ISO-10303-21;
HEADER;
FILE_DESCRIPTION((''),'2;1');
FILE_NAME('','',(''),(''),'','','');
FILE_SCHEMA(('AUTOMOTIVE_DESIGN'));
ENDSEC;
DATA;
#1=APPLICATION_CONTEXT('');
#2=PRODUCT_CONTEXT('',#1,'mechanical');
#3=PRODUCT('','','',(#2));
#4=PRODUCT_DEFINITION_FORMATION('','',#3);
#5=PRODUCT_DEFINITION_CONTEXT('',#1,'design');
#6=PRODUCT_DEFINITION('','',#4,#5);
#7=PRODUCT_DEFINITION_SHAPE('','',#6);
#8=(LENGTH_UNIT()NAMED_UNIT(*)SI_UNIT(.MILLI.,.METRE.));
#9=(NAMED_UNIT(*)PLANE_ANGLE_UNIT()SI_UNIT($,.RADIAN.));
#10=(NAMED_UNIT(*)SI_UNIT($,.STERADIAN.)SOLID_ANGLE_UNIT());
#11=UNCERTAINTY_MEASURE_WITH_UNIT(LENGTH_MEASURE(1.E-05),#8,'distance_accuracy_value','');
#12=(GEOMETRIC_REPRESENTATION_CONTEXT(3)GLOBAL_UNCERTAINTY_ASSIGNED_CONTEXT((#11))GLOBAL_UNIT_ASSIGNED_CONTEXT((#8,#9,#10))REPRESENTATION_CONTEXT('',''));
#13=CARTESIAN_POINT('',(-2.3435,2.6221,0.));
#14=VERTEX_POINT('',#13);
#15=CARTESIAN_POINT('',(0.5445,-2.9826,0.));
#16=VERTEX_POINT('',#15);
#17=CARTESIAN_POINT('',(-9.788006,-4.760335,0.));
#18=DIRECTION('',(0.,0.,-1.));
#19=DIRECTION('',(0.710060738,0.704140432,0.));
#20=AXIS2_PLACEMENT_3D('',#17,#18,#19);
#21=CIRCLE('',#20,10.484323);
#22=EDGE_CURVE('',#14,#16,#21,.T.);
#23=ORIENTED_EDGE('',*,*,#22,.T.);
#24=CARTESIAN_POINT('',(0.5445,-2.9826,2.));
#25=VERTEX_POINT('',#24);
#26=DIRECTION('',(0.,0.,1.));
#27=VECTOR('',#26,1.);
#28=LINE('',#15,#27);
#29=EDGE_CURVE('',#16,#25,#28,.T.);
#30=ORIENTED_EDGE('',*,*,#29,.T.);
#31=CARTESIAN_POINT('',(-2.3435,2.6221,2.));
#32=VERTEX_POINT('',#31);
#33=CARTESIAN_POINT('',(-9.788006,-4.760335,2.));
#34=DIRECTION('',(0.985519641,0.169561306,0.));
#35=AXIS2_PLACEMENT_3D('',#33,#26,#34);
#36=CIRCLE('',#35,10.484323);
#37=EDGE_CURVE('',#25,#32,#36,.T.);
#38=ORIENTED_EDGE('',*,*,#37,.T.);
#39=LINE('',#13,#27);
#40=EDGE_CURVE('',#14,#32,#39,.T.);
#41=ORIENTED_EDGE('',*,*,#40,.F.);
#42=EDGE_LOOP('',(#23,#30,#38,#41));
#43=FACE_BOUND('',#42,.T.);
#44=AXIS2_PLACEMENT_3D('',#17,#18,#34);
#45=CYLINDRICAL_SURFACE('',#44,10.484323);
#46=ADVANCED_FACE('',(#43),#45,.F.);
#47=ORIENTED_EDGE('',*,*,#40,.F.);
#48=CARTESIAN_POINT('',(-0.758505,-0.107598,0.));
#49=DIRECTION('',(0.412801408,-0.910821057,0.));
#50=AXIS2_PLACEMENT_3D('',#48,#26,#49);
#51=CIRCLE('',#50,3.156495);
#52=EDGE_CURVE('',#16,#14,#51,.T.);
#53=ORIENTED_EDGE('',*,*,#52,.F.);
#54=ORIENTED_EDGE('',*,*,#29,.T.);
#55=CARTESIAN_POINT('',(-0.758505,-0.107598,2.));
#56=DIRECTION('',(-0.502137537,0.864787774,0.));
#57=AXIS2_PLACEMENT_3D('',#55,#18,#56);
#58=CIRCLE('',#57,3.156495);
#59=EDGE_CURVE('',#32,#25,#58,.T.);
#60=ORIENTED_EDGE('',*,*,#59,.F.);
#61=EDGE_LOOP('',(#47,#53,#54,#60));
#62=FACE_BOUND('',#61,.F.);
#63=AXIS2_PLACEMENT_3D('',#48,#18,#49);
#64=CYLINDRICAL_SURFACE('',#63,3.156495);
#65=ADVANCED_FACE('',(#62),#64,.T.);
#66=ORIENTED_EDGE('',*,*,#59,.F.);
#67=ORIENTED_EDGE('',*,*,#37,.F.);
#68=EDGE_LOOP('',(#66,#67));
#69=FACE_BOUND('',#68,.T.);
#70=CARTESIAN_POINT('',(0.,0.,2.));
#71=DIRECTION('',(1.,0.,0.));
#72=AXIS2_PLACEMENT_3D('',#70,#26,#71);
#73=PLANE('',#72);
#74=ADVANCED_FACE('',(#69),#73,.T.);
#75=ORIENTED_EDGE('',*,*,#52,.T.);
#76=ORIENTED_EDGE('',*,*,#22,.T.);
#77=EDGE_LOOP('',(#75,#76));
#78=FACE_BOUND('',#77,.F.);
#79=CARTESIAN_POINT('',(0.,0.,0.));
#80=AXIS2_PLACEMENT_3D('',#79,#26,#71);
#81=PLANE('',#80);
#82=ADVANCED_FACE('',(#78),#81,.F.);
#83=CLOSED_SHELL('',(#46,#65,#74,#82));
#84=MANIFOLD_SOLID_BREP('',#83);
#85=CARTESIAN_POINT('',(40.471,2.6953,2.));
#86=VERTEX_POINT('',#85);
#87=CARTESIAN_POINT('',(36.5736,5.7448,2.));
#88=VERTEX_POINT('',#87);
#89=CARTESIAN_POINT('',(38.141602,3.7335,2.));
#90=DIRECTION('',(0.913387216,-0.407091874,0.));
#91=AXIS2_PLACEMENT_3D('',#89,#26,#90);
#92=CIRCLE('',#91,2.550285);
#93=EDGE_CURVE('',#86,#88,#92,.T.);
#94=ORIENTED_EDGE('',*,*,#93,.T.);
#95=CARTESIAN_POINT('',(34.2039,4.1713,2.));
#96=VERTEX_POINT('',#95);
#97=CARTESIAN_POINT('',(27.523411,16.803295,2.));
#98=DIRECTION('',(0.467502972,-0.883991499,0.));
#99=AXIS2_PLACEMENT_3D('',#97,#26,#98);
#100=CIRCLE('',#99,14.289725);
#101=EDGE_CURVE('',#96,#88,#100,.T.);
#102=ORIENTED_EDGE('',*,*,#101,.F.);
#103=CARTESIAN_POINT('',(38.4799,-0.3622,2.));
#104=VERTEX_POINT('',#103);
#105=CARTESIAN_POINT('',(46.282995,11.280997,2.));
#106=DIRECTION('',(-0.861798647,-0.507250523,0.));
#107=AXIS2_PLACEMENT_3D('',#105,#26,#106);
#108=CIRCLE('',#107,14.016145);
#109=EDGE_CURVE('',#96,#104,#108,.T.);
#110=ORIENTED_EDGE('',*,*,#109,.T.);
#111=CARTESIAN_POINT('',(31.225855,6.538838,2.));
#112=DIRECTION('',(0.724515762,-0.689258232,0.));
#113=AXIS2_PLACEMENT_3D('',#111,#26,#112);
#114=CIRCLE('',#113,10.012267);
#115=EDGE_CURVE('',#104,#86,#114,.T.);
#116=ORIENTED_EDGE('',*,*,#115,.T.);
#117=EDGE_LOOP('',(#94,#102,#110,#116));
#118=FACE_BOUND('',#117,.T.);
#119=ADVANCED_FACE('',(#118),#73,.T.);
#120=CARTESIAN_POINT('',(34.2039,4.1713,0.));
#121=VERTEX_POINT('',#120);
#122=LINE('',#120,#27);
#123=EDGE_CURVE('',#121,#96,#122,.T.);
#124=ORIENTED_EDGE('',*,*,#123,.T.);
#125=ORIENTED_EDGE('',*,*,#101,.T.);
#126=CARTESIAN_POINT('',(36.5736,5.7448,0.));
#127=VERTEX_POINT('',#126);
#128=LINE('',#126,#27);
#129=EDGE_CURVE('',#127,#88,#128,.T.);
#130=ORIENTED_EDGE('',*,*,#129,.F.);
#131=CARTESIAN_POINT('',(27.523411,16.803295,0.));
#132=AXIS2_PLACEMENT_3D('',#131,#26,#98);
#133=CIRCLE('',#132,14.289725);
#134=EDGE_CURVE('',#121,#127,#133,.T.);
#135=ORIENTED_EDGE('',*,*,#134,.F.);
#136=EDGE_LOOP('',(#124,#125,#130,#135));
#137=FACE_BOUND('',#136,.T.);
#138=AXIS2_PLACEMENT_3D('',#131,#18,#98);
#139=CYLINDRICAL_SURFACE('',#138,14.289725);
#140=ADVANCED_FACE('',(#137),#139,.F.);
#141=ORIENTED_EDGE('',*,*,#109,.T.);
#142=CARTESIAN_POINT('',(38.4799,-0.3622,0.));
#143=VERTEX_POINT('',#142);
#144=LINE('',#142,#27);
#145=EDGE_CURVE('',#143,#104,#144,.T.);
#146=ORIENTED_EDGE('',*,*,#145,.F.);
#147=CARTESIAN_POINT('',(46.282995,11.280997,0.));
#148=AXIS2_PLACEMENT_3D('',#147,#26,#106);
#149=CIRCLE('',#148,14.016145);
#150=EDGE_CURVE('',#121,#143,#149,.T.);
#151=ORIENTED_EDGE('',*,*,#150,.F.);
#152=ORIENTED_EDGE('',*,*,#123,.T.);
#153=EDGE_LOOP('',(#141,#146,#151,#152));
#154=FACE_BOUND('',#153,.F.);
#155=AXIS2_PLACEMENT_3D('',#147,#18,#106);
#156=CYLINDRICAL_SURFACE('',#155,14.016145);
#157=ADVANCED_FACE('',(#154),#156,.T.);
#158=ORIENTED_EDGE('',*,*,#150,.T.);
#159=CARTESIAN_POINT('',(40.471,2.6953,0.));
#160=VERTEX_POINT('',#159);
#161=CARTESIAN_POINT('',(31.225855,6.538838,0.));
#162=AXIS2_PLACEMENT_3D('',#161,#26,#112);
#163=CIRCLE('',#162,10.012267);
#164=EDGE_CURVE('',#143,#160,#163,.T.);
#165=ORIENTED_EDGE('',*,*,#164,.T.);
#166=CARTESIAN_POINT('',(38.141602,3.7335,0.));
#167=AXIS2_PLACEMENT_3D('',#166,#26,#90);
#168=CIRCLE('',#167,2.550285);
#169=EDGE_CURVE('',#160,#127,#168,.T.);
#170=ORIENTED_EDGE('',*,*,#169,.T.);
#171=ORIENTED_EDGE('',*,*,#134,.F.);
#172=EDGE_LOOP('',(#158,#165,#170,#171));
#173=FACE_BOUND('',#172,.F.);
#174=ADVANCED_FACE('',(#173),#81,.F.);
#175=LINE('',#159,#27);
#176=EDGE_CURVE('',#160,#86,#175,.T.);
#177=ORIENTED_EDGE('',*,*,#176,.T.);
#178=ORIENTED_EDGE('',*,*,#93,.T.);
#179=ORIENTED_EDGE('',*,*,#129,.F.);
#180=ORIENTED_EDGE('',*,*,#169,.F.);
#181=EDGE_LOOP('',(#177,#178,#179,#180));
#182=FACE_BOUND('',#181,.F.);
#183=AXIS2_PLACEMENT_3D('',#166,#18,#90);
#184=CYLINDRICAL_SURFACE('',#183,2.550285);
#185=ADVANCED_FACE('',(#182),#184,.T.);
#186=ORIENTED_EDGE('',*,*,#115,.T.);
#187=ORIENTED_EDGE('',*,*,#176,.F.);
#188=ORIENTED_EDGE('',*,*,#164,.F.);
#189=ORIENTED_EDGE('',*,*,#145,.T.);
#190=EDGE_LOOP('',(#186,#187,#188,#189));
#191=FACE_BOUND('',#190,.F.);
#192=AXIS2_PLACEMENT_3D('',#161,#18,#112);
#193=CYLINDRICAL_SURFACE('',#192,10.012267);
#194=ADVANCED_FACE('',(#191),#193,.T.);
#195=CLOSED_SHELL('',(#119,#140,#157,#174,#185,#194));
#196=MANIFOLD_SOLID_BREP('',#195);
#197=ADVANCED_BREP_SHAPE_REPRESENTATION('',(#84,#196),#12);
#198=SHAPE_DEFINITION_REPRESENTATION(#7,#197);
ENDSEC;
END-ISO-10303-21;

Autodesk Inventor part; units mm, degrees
ref_plane "YZ Plane" through (0, 0, 0) normal (1, 0, 0) x (0, 1, 0)
ref_plane "XZ Plane" through (0, 0, 0) normal (0, 1, 0) x (-1, 0, 0)
ref_plane "XY Plane" through (0, 0, 0) normal (0, 0, 1) x (1, 0, 0)
sketch "Sketch1" plane through (0, 0, 0) normal (0, 0, 1) x (1, 0, 0)
  line L0 (0.1525, -4.2135) -> (0.1525, 53.059) projected
  arc A0 (0.5445, -3.1745) -> (-2.4955, 2.7252) centre (-10.3318, -5.0457) ccw projected
  arc A1 (0.5445, -3.1745) -> (-2.4955, 2.7252) centre (-0.8271, -0.1481) ccw projected
  arc A2 (38.4977, -0.5778) -> (40.5936, 2.6407) centre (30.8639, 6.6849) ccw projected
  arc A3 (40.5936, 2.6407) -> (36.4911, 5.8507) centre (38.1416, 3.7335) ccw projected
  arc A4 (33.9966, 4.1943) -> (36.4911, 5.8507) centre (26.9655, 17.4896) ccw projected
  arc A5 (33.9966, 4.1943) -> (38.4977, -0.5778) centre (46.7107, 11.6776) ccw projected
  arc A6 (0.5445, -2.9826) -> (-2.3435, 2.6221) centre (-9.7879, -4.7603) ccw
  arc A7 (0.5445, -2.9826) -> (-2.3435, 2.6221) centre (-0.7585, -0.1076) ccw
  arc A8 (34.2039, 4.1713) -> (38.4799, -0.3622) centre (46.2822, 11.2804) ccw
  arc A9 (40.471, 2.6953) -> (36.5736, 5.7448) centre (38.1416, 3.7335) ccw
  arc A10 (34.2039, 4.1713) -> (36.5736, 5.7448) centre (27.5243, 16.8018) ccw
  arc A11 (38.4799, -0.3622) -> (40.471, 2.6953) centre (31.2278, 6.5373) ccw
  point P0 (0, 0)
  point P1 (0.5445, 0.6626)
extrude "Extrusion1" add sketch "Sketch1" along normal blind 2 contours A6 A7 L0 | L0 A7 A6 | A10 A9 A11 A8
properties part number "HandsGoma"
